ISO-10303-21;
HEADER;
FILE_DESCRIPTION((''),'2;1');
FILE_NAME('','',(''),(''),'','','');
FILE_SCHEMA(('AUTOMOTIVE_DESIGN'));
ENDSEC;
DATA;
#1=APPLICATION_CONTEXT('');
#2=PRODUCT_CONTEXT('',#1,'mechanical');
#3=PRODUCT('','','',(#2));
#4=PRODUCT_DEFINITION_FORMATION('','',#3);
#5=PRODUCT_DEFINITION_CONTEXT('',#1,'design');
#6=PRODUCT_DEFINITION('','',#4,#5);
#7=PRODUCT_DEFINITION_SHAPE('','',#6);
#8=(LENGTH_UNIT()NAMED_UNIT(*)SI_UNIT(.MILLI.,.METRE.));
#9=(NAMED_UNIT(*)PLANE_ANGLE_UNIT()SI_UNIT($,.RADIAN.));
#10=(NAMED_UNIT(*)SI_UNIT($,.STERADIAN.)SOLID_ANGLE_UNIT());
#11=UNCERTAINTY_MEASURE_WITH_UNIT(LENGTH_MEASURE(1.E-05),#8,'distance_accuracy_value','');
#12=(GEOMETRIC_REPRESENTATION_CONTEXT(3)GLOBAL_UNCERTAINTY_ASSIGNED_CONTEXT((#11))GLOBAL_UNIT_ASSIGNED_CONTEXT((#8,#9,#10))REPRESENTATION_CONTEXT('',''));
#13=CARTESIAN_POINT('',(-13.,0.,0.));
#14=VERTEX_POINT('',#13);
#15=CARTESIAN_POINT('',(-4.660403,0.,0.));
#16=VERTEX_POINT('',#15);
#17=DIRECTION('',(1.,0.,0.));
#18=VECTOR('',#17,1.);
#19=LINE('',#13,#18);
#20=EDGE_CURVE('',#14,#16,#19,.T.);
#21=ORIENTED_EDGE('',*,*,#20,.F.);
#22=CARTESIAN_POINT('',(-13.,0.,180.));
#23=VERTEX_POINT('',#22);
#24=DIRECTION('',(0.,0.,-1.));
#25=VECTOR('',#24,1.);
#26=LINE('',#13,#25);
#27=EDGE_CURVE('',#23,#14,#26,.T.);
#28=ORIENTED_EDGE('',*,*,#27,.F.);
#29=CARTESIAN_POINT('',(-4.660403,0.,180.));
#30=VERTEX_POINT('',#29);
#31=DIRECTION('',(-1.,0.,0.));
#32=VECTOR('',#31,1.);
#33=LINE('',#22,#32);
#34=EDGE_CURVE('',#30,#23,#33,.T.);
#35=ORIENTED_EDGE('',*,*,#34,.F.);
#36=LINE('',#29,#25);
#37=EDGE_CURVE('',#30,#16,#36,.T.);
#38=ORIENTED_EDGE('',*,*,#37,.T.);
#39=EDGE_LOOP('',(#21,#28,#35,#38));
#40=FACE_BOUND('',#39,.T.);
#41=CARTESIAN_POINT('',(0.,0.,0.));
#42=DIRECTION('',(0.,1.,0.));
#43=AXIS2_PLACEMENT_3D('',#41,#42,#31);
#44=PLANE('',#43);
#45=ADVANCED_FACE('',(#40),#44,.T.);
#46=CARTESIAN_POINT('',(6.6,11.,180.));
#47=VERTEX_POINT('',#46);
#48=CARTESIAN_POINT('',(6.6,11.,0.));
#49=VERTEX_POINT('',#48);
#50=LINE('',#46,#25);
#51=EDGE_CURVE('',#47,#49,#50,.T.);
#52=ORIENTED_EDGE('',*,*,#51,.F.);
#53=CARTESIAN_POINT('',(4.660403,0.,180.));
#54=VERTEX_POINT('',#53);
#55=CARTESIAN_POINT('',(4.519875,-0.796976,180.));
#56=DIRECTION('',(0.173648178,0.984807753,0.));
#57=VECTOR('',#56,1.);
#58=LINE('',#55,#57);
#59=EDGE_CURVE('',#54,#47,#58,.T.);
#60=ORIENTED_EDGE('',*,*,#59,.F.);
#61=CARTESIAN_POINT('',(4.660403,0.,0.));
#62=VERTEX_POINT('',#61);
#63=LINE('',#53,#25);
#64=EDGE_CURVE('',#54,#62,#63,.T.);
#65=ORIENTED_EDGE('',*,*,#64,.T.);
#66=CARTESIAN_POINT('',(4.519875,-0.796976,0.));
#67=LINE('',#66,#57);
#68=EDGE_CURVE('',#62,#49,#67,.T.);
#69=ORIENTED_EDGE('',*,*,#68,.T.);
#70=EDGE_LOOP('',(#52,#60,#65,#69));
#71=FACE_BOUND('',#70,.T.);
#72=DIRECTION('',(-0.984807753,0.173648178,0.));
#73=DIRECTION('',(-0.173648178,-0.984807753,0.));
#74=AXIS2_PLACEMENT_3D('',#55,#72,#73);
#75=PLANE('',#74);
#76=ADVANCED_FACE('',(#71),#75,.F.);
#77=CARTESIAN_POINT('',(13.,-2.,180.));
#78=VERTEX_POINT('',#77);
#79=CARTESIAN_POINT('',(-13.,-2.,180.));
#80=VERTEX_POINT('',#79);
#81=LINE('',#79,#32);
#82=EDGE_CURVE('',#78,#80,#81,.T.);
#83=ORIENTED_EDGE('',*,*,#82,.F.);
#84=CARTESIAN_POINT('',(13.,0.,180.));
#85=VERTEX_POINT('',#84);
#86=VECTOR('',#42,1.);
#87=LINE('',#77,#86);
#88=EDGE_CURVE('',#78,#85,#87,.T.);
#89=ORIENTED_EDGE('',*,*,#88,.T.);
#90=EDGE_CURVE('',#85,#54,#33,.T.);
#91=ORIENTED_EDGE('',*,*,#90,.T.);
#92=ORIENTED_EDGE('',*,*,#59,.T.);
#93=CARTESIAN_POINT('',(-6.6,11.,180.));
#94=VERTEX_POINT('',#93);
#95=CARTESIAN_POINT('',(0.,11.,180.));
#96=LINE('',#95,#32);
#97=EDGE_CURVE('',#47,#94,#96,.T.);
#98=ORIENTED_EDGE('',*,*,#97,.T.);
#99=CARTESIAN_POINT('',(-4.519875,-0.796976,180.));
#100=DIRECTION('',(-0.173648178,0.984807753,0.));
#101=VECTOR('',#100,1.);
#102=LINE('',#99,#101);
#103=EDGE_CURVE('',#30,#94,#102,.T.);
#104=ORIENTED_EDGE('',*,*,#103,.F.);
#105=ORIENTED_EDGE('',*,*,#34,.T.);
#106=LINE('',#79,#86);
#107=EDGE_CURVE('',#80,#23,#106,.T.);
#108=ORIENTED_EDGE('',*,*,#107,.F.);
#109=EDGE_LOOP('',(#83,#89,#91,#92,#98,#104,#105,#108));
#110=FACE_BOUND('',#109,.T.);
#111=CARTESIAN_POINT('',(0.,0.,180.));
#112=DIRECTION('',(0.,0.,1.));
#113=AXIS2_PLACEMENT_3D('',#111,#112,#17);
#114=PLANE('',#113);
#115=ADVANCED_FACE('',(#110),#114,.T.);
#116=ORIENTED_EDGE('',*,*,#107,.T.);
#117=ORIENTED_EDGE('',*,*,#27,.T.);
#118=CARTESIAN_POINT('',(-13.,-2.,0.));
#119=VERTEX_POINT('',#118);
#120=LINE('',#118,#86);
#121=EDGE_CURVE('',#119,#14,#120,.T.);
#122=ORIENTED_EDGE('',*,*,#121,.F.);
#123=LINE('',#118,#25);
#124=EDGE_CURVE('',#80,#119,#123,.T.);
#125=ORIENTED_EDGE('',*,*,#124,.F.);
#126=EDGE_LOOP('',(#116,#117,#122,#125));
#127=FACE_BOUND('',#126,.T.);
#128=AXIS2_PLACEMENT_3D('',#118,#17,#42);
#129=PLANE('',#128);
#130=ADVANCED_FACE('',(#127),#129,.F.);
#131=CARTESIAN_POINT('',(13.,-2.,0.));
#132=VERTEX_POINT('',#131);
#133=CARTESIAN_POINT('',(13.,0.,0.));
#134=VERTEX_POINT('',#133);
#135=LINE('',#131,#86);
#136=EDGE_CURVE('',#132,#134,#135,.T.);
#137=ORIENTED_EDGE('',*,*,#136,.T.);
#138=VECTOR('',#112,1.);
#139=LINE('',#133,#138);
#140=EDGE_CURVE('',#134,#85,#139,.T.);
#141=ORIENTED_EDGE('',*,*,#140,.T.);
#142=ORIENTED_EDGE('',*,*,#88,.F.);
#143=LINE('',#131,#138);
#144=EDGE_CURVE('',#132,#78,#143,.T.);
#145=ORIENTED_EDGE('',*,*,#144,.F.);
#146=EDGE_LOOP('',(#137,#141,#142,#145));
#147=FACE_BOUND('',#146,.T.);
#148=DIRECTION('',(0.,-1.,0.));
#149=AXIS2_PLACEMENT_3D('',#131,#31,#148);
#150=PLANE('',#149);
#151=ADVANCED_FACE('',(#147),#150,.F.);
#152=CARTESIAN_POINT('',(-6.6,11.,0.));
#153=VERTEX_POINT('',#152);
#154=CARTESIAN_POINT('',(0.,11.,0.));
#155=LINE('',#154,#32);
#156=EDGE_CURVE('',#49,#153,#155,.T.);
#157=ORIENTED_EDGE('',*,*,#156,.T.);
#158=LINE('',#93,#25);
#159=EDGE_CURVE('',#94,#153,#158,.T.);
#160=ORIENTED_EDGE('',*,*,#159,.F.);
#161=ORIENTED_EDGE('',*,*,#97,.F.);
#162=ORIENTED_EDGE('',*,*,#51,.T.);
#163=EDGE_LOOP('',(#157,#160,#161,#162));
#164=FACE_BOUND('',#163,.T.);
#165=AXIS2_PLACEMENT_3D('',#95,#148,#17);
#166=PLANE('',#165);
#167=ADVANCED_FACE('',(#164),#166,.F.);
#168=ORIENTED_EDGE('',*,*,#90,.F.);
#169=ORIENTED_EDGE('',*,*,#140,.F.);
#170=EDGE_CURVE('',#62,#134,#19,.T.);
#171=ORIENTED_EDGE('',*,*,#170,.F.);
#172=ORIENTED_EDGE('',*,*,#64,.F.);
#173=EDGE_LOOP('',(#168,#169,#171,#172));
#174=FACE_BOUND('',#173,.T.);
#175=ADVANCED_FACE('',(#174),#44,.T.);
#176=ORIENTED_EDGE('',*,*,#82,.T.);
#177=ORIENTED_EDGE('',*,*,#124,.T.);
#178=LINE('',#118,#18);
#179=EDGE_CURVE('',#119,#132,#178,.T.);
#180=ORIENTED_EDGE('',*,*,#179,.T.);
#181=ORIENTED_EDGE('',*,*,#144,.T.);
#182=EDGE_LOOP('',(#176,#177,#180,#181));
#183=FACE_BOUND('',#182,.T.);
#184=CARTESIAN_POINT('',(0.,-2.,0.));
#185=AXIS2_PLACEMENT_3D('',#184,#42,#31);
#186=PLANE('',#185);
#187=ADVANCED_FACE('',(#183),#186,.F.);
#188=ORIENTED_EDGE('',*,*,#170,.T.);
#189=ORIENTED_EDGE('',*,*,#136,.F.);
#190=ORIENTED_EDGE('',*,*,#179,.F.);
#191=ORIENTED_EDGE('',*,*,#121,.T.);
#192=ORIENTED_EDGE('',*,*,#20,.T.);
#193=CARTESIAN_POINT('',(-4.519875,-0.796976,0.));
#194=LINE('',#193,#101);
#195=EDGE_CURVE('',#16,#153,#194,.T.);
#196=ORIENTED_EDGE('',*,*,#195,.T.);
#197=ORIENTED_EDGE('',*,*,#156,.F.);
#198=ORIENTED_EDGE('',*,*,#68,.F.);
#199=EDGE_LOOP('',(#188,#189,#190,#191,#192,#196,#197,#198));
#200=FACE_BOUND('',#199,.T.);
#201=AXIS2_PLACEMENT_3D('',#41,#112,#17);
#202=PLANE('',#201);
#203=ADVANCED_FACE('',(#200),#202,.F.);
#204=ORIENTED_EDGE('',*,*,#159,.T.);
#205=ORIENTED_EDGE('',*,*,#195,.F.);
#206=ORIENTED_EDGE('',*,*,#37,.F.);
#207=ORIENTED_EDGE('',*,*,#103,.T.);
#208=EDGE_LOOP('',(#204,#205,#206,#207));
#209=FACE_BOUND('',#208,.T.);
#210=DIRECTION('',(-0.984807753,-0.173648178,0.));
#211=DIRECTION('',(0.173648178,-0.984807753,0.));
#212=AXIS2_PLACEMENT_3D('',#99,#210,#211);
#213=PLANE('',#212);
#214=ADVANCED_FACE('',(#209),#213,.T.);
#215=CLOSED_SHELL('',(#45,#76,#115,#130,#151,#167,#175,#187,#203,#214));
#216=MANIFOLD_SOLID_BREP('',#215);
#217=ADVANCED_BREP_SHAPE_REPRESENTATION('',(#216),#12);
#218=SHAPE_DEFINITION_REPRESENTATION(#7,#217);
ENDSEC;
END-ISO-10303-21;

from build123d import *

# Parameters (mm, degrees)
BOSS_EXTRUDE1_DEPTH = 180
SKETCH2_W           = 26
SKETCH2_H           = 180
BOSS_EXTRUDE2_DEPTH = 2


with BuildPart() as part:
    # Sketch1 → Boss-Extrude1 (new body)
    with BuildSketch(Plane.XY):
        Polygon((-6.6, 11), (-4.660403212, 0), (0, 0), (0, 11), align=None)
        Polygon((0, 11), (0, 0), (4.660403212, 0), (6.6, 11), align=None)
    extrude(amount=BOSS_EXTRUDE1_DEPTH)

    # Sketch2 → Boss-Extrude2 (add)
    with BuildSketch(Plane.XZ):
        with Locations((0, 90)):
            Rectangle(SKETCH2_W, SKETCH2_H)
    extrude(amount=BOSS_EXTRUDE2_DEPTH)


solid = part.part
